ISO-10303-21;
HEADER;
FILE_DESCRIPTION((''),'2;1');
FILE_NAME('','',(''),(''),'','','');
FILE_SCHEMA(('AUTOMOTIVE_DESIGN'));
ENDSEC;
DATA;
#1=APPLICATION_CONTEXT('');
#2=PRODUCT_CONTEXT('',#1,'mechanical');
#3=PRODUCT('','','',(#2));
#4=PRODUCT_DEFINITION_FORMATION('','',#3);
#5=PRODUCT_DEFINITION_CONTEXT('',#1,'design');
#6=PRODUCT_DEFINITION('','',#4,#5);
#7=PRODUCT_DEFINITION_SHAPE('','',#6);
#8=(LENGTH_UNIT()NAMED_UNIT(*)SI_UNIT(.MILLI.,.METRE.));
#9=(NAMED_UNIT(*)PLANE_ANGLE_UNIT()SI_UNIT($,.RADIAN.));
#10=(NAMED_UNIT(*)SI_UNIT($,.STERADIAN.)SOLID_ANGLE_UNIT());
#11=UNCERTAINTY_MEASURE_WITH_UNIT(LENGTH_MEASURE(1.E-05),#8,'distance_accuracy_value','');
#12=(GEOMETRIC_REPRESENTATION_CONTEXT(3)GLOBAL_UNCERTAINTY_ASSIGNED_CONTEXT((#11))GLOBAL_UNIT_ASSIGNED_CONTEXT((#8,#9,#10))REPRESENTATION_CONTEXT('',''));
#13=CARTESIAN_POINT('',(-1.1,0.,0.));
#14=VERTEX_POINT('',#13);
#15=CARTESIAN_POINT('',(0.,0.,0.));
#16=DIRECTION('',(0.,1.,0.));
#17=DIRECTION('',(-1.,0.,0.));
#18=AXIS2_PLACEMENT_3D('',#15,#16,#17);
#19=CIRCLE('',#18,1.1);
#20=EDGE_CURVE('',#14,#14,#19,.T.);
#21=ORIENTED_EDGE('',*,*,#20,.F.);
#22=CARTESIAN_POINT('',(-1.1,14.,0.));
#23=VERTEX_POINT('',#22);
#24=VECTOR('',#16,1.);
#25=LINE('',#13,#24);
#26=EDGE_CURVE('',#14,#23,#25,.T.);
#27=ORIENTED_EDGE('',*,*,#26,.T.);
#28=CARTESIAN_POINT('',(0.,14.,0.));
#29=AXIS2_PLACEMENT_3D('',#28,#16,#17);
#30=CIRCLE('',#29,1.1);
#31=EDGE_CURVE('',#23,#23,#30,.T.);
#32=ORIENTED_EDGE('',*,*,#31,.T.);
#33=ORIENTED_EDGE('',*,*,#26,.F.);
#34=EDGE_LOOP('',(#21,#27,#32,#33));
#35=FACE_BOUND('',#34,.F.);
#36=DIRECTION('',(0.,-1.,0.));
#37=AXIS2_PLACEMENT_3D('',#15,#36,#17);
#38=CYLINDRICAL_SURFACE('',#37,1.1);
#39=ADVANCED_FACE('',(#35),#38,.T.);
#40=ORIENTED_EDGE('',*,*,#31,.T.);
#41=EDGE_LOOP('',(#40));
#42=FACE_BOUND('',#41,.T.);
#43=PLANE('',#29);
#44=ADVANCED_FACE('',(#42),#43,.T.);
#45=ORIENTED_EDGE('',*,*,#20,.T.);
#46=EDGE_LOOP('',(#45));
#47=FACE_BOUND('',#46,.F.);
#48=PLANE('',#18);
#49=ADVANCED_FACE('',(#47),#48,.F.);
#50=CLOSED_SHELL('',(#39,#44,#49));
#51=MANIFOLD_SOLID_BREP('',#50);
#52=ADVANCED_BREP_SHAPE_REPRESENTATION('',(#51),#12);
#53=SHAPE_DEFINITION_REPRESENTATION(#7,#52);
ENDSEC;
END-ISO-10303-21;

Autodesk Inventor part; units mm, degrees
ref_plane "YZ Plane" through (0, 0, 0) normal (1, 0, 0) x (0, 1, 0)
ref_plane "XZ Plane" through (0, 0, 0) normal (0, 1, 0) x (-1, 0, 0)
ref_plane "XY Plane" through (0, 0, 0) normal (0, 0, 1) x (1, 0, 0)
sketch "Sketch1" plane through (0, 0, 0) normal (0, 1, 0) x (-1, 0, 0)
  circle A0 centre (0, 0) radius 1.1
  dimension "d0" = 2.2
extrude "Extrusion1" add sketch "Sketch1" along normal blind 14
properties part number "tycinka"
